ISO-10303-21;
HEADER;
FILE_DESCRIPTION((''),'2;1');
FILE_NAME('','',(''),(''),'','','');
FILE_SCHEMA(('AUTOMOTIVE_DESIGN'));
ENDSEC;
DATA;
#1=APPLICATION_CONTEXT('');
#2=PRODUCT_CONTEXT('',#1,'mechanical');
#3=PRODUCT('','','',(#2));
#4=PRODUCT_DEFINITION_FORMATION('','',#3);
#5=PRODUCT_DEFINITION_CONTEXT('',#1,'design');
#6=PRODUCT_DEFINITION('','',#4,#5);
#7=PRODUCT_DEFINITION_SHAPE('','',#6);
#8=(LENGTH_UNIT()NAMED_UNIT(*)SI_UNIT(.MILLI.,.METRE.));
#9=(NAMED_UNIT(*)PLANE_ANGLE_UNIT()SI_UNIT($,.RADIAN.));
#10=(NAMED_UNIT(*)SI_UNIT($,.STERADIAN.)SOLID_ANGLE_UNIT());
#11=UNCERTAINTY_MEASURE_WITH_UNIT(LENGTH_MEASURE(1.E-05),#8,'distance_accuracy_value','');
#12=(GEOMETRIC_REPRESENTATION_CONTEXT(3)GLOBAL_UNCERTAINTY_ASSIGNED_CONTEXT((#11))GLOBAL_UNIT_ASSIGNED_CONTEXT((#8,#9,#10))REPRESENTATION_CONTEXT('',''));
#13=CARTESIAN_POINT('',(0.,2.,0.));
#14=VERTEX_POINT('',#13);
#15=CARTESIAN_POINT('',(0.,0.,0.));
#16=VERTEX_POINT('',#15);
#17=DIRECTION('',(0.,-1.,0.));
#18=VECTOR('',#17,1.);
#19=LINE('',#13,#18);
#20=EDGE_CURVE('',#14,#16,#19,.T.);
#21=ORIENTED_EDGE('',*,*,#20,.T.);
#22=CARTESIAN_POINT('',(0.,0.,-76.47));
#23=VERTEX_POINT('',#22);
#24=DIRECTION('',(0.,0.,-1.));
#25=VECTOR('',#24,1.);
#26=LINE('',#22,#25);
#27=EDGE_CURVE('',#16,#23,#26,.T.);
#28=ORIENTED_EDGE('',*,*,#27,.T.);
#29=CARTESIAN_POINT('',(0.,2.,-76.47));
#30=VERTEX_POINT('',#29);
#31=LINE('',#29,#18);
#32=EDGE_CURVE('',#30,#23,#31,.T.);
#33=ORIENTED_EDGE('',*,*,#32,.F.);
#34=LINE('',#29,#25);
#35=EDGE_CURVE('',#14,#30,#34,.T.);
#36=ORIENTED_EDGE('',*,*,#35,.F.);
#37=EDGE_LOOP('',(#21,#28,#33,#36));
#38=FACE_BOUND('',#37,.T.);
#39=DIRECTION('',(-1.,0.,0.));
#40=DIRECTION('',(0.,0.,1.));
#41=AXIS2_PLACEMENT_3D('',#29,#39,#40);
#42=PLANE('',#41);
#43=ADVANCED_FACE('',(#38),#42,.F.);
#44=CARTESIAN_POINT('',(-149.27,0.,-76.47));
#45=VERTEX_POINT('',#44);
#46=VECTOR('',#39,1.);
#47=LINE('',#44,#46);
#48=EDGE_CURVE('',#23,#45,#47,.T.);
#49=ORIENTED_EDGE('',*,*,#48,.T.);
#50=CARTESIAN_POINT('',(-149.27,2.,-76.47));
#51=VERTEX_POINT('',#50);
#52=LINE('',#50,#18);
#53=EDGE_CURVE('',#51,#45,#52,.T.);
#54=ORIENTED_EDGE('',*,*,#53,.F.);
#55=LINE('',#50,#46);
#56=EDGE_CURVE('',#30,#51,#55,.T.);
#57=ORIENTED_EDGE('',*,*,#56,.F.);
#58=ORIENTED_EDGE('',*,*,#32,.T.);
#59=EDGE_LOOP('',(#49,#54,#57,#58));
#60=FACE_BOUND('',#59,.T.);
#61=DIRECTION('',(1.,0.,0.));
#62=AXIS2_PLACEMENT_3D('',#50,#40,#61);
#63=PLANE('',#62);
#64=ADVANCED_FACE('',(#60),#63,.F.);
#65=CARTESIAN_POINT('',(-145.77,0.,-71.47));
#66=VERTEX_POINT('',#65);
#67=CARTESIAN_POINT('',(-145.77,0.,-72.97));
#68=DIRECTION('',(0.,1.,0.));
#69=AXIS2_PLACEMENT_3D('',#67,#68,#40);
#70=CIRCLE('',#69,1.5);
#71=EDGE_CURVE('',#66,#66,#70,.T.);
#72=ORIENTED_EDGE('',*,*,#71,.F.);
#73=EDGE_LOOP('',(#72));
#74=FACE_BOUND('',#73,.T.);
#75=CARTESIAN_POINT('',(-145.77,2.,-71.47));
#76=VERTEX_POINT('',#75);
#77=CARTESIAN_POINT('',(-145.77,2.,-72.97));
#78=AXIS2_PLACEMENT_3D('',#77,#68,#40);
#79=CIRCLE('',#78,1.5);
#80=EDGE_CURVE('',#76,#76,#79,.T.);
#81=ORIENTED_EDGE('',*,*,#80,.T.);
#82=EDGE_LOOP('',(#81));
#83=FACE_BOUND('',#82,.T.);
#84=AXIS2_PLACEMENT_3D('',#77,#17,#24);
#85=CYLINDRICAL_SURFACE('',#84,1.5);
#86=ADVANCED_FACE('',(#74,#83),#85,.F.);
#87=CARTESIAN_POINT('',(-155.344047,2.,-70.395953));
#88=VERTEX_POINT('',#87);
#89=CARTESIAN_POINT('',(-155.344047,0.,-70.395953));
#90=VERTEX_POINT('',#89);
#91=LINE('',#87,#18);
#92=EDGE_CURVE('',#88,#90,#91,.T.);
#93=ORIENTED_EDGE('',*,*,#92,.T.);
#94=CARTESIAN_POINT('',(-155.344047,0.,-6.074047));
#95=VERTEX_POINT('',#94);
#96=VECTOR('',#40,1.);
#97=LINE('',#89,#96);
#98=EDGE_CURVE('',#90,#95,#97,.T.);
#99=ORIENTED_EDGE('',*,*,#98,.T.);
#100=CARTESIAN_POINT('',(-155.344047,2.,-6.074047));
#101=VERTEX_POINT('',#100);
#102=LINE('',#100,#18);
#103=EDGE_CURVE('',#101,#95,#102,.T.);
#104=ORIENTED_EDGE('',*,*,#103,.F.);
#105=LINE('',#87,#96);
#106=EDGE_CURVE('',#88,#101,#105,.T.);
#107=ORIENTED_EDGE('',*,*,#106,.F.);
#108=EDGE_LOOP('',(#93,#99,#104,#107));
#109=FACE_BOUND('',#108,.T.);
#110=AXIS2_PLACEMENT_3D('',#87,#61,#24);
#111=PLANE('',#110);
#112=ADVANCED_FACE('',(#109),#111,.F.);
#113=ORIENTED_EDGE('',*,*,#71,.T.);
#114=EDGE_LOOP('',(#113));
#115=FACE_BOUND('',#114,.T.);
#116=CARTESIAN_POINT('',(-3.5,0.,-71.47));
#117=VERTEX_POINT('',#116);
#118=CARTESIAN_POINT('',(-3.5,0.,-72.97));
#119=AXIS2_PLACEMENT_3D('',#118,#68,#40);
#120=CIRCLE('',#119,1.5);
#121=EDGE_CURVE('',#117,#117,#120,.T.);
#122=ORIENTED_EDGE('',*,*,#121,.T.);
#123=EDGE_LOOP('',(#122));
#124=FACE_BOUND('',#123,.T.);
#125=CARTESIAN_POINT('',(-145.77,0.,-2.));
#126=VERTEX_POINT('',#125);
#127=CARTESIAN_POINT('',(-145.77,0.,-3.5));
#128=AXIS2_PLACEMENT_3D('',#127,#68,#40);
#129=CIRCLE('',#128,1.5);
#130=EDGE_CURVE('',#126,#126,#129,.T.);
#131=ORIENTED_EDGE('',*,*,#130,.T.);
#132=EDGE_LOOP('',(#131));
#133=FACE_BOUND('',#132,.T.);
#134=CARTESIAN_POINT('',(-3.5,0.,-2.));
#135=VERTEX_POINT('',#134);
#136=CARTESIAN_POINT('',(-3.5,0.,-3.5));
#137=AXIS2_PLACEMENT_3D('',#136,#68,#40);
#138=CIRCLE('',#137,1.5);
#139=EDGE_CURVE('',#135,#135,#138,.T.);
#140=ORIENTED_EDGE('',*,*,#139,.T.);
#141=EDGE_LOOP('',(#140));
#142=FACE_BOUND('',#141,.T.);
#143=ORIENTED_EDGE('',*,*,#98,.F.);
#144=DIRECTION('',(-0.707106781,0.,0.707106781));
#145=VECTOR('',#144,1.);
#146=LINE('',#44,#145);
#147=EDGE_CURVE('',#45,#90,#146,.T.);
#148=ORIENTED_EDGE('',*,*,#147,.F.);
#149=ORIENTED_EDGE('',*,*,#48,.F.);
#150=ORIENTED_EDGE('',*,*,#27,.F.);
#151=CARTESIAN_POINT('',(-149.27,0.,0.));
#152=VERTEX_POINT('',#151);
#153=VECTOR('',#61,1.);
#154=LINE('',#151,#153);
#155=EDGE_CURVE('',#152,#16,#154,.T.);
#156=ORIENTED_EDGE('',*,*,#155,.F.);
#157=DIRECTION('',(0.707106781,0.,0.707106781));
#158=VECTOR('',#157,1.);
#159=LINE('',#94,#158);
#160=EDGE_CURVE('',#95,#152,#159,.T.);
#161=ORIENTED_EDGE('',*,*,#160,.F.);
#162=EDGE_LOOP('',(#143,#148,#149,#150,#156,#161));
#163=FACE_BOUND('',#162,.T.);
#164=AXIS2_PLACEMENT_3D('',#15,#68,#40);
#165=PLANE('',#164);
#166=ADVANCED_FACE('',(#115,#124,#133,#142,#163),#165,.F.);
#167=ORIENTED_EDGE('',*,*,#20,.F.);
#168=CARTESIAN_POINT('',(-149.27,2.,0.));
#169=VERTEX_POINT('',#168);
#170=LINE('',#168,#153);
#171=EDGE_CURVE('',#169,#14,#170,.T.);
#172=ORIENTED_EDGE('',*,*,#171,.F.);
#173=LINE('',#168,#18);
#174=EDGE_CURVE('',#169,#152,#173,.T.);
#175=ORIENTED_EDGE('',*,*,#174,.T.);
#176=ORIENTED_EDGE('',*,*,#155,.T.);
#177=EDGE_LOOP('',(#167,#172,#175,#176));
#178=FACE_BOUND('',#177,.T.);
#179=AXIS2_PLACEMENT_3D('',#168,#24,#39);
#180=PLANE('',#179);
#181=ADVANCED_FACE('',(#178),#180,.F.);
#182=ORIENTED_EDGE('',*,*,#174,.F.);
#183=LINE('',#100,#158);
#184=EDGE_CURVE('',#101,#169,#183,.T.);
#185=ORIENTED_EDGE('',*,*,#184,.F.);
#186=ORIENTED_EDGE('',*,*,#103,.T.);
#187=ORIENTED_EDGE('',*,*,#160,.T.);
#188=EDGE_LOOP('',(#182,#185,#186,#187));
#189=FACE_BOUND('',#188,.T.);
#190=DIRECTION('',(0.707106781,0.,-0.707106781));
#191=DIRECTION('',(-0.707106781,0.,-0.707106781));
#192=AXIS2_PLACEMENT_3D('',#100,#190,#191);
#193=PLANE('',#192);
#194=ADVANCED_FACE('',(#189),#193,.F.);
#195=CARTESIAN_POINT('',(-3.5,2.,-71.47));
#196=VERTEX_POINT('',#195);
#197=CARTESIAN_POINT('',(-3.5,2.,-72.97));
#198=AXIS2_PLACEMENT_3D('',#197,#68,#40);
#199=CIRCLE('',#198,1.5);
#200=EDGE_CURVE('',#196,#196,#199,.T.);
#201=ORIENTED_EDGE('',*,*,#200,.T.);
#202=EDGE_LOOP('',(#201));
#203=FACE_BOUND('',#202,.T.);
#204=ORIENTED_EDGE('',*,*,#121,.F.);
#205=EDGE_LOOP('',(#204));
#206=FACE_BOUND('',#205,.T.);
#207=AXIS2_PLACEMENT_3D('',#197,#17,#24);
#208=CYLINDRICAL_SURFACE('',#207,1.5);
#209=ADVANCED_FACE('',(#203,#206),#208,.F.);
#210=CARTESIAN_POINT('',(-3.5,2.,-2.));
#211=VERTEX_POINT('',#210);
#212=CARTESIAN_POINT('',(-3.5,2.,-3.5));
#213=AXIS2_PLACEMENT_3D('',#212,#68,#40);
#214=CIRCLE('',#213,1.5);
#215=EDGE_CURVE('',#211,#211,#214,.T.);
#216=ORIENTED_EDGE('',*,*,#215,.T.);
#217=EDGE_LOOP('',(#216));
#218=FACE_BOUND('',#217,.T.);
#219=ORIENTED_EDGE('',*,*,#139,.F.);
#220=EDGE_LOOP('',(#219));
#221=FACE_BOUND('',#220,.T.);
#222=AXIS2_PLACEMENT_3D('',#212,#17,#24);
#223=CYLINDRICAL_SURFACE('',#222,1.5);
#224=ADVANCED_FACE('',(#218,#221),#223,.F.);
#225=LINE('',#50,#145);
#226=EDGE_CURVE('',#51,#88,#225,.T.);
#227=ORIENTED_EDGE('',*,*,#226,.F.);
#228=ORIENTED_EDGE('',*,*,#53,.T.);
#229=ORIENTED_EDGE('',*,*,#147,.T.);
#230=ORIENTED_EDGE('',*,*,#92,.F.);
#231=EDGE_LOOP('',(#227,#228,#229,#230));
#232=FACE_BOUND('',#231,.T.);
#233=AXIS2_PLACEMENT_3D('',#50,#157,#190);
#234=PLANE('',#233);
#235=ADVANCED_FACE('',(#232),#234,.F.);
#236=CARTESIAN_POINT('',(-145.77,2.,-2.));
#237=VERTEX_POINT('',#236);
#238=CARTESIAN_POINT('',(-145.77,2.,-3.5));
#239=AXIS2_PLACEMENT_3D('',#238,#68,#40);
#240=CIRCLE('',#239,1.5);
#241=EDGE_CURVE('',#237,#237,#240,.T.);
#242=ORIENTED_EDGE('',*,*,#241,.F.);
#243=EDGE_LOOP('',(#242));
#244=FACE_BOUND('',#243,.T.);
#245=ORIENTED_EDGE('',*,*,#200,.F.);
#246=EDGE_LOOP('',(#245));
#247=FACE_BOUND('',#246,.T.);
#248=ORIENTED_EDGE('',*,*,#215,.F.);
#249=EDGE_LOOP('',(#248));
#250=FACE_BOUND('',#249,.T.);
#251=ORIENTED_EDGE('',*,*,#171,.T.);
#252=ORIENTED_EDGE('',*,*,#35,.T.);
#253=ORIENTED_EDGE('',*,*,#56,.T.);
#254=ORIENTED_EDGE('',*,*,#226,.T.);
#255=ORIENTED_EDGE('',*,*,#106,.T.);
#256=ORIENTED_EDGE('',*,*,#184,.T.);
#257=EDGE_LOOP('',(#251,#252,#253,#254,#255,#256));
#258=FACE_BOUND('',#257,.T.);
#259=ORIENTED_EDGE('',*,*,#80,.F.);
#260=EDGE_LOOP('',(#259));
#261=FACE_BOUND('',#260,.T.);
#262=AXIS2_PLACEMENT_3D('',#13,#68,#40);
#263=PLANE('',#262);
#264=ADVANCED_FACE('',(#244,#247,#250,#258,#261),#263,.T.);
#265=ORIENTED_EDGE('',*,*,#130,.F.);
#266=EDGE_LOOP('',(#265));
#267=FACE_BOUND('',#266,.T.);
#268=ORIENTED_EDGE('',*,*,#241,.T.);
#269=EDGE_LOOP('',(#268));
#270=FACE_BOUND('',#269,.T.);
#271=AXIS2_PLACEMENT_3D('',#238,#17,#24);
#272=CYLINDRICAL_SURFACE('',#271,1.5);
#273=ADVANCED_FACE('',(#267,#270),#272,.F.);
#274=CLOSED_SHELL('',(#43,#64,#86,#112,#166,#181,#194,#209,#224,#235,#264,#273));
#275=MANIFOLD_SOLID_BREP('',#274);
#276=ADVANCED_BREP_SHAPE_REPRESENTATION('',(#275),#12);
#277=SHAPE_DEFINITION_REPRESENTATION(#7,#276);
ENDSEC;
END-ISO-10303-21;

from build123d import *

# Parameters (mm, degrees)
SKETCH2_R           = 1.5
BOSS_EXTRUDE1_DEPTH = 2


with BuildPart() as part:
    # Sketch2 → Boss-Extrude1 (new body)
    with BuildSketch(Plane(origin=(0, 0, 0), x_dir=(1, 0, 0), z_dir=(0, 1, 0))):
        Polygon((-149.27, 76.47), (-155.34404725, 70.39595275), (-155.34404725, 6.07404725), (-149.27, 0), (0, 0), (0, 76.47), align=None)
        with Locations((-3.5, 72.97)):
            Circle(SKETCH2_R, mode=Mode.SUBTRACT)
        with Locations((-3.5, 3.5)):
            Circle(SKETCH2_R, mode=Mode.SUBTRACT)
        with Locations((-145.77, 72.97)):
            Circle(SKETCH2_R, mode=Mode.SUBTRACT)
        with Locations((-145.77, 3.5)):
            Circle(SKETCH2_R, mode=Mode.SUBTRACT)
    extrude(amount=BOSS_EXTRUDE1_DEPTH)


solid = part.part
